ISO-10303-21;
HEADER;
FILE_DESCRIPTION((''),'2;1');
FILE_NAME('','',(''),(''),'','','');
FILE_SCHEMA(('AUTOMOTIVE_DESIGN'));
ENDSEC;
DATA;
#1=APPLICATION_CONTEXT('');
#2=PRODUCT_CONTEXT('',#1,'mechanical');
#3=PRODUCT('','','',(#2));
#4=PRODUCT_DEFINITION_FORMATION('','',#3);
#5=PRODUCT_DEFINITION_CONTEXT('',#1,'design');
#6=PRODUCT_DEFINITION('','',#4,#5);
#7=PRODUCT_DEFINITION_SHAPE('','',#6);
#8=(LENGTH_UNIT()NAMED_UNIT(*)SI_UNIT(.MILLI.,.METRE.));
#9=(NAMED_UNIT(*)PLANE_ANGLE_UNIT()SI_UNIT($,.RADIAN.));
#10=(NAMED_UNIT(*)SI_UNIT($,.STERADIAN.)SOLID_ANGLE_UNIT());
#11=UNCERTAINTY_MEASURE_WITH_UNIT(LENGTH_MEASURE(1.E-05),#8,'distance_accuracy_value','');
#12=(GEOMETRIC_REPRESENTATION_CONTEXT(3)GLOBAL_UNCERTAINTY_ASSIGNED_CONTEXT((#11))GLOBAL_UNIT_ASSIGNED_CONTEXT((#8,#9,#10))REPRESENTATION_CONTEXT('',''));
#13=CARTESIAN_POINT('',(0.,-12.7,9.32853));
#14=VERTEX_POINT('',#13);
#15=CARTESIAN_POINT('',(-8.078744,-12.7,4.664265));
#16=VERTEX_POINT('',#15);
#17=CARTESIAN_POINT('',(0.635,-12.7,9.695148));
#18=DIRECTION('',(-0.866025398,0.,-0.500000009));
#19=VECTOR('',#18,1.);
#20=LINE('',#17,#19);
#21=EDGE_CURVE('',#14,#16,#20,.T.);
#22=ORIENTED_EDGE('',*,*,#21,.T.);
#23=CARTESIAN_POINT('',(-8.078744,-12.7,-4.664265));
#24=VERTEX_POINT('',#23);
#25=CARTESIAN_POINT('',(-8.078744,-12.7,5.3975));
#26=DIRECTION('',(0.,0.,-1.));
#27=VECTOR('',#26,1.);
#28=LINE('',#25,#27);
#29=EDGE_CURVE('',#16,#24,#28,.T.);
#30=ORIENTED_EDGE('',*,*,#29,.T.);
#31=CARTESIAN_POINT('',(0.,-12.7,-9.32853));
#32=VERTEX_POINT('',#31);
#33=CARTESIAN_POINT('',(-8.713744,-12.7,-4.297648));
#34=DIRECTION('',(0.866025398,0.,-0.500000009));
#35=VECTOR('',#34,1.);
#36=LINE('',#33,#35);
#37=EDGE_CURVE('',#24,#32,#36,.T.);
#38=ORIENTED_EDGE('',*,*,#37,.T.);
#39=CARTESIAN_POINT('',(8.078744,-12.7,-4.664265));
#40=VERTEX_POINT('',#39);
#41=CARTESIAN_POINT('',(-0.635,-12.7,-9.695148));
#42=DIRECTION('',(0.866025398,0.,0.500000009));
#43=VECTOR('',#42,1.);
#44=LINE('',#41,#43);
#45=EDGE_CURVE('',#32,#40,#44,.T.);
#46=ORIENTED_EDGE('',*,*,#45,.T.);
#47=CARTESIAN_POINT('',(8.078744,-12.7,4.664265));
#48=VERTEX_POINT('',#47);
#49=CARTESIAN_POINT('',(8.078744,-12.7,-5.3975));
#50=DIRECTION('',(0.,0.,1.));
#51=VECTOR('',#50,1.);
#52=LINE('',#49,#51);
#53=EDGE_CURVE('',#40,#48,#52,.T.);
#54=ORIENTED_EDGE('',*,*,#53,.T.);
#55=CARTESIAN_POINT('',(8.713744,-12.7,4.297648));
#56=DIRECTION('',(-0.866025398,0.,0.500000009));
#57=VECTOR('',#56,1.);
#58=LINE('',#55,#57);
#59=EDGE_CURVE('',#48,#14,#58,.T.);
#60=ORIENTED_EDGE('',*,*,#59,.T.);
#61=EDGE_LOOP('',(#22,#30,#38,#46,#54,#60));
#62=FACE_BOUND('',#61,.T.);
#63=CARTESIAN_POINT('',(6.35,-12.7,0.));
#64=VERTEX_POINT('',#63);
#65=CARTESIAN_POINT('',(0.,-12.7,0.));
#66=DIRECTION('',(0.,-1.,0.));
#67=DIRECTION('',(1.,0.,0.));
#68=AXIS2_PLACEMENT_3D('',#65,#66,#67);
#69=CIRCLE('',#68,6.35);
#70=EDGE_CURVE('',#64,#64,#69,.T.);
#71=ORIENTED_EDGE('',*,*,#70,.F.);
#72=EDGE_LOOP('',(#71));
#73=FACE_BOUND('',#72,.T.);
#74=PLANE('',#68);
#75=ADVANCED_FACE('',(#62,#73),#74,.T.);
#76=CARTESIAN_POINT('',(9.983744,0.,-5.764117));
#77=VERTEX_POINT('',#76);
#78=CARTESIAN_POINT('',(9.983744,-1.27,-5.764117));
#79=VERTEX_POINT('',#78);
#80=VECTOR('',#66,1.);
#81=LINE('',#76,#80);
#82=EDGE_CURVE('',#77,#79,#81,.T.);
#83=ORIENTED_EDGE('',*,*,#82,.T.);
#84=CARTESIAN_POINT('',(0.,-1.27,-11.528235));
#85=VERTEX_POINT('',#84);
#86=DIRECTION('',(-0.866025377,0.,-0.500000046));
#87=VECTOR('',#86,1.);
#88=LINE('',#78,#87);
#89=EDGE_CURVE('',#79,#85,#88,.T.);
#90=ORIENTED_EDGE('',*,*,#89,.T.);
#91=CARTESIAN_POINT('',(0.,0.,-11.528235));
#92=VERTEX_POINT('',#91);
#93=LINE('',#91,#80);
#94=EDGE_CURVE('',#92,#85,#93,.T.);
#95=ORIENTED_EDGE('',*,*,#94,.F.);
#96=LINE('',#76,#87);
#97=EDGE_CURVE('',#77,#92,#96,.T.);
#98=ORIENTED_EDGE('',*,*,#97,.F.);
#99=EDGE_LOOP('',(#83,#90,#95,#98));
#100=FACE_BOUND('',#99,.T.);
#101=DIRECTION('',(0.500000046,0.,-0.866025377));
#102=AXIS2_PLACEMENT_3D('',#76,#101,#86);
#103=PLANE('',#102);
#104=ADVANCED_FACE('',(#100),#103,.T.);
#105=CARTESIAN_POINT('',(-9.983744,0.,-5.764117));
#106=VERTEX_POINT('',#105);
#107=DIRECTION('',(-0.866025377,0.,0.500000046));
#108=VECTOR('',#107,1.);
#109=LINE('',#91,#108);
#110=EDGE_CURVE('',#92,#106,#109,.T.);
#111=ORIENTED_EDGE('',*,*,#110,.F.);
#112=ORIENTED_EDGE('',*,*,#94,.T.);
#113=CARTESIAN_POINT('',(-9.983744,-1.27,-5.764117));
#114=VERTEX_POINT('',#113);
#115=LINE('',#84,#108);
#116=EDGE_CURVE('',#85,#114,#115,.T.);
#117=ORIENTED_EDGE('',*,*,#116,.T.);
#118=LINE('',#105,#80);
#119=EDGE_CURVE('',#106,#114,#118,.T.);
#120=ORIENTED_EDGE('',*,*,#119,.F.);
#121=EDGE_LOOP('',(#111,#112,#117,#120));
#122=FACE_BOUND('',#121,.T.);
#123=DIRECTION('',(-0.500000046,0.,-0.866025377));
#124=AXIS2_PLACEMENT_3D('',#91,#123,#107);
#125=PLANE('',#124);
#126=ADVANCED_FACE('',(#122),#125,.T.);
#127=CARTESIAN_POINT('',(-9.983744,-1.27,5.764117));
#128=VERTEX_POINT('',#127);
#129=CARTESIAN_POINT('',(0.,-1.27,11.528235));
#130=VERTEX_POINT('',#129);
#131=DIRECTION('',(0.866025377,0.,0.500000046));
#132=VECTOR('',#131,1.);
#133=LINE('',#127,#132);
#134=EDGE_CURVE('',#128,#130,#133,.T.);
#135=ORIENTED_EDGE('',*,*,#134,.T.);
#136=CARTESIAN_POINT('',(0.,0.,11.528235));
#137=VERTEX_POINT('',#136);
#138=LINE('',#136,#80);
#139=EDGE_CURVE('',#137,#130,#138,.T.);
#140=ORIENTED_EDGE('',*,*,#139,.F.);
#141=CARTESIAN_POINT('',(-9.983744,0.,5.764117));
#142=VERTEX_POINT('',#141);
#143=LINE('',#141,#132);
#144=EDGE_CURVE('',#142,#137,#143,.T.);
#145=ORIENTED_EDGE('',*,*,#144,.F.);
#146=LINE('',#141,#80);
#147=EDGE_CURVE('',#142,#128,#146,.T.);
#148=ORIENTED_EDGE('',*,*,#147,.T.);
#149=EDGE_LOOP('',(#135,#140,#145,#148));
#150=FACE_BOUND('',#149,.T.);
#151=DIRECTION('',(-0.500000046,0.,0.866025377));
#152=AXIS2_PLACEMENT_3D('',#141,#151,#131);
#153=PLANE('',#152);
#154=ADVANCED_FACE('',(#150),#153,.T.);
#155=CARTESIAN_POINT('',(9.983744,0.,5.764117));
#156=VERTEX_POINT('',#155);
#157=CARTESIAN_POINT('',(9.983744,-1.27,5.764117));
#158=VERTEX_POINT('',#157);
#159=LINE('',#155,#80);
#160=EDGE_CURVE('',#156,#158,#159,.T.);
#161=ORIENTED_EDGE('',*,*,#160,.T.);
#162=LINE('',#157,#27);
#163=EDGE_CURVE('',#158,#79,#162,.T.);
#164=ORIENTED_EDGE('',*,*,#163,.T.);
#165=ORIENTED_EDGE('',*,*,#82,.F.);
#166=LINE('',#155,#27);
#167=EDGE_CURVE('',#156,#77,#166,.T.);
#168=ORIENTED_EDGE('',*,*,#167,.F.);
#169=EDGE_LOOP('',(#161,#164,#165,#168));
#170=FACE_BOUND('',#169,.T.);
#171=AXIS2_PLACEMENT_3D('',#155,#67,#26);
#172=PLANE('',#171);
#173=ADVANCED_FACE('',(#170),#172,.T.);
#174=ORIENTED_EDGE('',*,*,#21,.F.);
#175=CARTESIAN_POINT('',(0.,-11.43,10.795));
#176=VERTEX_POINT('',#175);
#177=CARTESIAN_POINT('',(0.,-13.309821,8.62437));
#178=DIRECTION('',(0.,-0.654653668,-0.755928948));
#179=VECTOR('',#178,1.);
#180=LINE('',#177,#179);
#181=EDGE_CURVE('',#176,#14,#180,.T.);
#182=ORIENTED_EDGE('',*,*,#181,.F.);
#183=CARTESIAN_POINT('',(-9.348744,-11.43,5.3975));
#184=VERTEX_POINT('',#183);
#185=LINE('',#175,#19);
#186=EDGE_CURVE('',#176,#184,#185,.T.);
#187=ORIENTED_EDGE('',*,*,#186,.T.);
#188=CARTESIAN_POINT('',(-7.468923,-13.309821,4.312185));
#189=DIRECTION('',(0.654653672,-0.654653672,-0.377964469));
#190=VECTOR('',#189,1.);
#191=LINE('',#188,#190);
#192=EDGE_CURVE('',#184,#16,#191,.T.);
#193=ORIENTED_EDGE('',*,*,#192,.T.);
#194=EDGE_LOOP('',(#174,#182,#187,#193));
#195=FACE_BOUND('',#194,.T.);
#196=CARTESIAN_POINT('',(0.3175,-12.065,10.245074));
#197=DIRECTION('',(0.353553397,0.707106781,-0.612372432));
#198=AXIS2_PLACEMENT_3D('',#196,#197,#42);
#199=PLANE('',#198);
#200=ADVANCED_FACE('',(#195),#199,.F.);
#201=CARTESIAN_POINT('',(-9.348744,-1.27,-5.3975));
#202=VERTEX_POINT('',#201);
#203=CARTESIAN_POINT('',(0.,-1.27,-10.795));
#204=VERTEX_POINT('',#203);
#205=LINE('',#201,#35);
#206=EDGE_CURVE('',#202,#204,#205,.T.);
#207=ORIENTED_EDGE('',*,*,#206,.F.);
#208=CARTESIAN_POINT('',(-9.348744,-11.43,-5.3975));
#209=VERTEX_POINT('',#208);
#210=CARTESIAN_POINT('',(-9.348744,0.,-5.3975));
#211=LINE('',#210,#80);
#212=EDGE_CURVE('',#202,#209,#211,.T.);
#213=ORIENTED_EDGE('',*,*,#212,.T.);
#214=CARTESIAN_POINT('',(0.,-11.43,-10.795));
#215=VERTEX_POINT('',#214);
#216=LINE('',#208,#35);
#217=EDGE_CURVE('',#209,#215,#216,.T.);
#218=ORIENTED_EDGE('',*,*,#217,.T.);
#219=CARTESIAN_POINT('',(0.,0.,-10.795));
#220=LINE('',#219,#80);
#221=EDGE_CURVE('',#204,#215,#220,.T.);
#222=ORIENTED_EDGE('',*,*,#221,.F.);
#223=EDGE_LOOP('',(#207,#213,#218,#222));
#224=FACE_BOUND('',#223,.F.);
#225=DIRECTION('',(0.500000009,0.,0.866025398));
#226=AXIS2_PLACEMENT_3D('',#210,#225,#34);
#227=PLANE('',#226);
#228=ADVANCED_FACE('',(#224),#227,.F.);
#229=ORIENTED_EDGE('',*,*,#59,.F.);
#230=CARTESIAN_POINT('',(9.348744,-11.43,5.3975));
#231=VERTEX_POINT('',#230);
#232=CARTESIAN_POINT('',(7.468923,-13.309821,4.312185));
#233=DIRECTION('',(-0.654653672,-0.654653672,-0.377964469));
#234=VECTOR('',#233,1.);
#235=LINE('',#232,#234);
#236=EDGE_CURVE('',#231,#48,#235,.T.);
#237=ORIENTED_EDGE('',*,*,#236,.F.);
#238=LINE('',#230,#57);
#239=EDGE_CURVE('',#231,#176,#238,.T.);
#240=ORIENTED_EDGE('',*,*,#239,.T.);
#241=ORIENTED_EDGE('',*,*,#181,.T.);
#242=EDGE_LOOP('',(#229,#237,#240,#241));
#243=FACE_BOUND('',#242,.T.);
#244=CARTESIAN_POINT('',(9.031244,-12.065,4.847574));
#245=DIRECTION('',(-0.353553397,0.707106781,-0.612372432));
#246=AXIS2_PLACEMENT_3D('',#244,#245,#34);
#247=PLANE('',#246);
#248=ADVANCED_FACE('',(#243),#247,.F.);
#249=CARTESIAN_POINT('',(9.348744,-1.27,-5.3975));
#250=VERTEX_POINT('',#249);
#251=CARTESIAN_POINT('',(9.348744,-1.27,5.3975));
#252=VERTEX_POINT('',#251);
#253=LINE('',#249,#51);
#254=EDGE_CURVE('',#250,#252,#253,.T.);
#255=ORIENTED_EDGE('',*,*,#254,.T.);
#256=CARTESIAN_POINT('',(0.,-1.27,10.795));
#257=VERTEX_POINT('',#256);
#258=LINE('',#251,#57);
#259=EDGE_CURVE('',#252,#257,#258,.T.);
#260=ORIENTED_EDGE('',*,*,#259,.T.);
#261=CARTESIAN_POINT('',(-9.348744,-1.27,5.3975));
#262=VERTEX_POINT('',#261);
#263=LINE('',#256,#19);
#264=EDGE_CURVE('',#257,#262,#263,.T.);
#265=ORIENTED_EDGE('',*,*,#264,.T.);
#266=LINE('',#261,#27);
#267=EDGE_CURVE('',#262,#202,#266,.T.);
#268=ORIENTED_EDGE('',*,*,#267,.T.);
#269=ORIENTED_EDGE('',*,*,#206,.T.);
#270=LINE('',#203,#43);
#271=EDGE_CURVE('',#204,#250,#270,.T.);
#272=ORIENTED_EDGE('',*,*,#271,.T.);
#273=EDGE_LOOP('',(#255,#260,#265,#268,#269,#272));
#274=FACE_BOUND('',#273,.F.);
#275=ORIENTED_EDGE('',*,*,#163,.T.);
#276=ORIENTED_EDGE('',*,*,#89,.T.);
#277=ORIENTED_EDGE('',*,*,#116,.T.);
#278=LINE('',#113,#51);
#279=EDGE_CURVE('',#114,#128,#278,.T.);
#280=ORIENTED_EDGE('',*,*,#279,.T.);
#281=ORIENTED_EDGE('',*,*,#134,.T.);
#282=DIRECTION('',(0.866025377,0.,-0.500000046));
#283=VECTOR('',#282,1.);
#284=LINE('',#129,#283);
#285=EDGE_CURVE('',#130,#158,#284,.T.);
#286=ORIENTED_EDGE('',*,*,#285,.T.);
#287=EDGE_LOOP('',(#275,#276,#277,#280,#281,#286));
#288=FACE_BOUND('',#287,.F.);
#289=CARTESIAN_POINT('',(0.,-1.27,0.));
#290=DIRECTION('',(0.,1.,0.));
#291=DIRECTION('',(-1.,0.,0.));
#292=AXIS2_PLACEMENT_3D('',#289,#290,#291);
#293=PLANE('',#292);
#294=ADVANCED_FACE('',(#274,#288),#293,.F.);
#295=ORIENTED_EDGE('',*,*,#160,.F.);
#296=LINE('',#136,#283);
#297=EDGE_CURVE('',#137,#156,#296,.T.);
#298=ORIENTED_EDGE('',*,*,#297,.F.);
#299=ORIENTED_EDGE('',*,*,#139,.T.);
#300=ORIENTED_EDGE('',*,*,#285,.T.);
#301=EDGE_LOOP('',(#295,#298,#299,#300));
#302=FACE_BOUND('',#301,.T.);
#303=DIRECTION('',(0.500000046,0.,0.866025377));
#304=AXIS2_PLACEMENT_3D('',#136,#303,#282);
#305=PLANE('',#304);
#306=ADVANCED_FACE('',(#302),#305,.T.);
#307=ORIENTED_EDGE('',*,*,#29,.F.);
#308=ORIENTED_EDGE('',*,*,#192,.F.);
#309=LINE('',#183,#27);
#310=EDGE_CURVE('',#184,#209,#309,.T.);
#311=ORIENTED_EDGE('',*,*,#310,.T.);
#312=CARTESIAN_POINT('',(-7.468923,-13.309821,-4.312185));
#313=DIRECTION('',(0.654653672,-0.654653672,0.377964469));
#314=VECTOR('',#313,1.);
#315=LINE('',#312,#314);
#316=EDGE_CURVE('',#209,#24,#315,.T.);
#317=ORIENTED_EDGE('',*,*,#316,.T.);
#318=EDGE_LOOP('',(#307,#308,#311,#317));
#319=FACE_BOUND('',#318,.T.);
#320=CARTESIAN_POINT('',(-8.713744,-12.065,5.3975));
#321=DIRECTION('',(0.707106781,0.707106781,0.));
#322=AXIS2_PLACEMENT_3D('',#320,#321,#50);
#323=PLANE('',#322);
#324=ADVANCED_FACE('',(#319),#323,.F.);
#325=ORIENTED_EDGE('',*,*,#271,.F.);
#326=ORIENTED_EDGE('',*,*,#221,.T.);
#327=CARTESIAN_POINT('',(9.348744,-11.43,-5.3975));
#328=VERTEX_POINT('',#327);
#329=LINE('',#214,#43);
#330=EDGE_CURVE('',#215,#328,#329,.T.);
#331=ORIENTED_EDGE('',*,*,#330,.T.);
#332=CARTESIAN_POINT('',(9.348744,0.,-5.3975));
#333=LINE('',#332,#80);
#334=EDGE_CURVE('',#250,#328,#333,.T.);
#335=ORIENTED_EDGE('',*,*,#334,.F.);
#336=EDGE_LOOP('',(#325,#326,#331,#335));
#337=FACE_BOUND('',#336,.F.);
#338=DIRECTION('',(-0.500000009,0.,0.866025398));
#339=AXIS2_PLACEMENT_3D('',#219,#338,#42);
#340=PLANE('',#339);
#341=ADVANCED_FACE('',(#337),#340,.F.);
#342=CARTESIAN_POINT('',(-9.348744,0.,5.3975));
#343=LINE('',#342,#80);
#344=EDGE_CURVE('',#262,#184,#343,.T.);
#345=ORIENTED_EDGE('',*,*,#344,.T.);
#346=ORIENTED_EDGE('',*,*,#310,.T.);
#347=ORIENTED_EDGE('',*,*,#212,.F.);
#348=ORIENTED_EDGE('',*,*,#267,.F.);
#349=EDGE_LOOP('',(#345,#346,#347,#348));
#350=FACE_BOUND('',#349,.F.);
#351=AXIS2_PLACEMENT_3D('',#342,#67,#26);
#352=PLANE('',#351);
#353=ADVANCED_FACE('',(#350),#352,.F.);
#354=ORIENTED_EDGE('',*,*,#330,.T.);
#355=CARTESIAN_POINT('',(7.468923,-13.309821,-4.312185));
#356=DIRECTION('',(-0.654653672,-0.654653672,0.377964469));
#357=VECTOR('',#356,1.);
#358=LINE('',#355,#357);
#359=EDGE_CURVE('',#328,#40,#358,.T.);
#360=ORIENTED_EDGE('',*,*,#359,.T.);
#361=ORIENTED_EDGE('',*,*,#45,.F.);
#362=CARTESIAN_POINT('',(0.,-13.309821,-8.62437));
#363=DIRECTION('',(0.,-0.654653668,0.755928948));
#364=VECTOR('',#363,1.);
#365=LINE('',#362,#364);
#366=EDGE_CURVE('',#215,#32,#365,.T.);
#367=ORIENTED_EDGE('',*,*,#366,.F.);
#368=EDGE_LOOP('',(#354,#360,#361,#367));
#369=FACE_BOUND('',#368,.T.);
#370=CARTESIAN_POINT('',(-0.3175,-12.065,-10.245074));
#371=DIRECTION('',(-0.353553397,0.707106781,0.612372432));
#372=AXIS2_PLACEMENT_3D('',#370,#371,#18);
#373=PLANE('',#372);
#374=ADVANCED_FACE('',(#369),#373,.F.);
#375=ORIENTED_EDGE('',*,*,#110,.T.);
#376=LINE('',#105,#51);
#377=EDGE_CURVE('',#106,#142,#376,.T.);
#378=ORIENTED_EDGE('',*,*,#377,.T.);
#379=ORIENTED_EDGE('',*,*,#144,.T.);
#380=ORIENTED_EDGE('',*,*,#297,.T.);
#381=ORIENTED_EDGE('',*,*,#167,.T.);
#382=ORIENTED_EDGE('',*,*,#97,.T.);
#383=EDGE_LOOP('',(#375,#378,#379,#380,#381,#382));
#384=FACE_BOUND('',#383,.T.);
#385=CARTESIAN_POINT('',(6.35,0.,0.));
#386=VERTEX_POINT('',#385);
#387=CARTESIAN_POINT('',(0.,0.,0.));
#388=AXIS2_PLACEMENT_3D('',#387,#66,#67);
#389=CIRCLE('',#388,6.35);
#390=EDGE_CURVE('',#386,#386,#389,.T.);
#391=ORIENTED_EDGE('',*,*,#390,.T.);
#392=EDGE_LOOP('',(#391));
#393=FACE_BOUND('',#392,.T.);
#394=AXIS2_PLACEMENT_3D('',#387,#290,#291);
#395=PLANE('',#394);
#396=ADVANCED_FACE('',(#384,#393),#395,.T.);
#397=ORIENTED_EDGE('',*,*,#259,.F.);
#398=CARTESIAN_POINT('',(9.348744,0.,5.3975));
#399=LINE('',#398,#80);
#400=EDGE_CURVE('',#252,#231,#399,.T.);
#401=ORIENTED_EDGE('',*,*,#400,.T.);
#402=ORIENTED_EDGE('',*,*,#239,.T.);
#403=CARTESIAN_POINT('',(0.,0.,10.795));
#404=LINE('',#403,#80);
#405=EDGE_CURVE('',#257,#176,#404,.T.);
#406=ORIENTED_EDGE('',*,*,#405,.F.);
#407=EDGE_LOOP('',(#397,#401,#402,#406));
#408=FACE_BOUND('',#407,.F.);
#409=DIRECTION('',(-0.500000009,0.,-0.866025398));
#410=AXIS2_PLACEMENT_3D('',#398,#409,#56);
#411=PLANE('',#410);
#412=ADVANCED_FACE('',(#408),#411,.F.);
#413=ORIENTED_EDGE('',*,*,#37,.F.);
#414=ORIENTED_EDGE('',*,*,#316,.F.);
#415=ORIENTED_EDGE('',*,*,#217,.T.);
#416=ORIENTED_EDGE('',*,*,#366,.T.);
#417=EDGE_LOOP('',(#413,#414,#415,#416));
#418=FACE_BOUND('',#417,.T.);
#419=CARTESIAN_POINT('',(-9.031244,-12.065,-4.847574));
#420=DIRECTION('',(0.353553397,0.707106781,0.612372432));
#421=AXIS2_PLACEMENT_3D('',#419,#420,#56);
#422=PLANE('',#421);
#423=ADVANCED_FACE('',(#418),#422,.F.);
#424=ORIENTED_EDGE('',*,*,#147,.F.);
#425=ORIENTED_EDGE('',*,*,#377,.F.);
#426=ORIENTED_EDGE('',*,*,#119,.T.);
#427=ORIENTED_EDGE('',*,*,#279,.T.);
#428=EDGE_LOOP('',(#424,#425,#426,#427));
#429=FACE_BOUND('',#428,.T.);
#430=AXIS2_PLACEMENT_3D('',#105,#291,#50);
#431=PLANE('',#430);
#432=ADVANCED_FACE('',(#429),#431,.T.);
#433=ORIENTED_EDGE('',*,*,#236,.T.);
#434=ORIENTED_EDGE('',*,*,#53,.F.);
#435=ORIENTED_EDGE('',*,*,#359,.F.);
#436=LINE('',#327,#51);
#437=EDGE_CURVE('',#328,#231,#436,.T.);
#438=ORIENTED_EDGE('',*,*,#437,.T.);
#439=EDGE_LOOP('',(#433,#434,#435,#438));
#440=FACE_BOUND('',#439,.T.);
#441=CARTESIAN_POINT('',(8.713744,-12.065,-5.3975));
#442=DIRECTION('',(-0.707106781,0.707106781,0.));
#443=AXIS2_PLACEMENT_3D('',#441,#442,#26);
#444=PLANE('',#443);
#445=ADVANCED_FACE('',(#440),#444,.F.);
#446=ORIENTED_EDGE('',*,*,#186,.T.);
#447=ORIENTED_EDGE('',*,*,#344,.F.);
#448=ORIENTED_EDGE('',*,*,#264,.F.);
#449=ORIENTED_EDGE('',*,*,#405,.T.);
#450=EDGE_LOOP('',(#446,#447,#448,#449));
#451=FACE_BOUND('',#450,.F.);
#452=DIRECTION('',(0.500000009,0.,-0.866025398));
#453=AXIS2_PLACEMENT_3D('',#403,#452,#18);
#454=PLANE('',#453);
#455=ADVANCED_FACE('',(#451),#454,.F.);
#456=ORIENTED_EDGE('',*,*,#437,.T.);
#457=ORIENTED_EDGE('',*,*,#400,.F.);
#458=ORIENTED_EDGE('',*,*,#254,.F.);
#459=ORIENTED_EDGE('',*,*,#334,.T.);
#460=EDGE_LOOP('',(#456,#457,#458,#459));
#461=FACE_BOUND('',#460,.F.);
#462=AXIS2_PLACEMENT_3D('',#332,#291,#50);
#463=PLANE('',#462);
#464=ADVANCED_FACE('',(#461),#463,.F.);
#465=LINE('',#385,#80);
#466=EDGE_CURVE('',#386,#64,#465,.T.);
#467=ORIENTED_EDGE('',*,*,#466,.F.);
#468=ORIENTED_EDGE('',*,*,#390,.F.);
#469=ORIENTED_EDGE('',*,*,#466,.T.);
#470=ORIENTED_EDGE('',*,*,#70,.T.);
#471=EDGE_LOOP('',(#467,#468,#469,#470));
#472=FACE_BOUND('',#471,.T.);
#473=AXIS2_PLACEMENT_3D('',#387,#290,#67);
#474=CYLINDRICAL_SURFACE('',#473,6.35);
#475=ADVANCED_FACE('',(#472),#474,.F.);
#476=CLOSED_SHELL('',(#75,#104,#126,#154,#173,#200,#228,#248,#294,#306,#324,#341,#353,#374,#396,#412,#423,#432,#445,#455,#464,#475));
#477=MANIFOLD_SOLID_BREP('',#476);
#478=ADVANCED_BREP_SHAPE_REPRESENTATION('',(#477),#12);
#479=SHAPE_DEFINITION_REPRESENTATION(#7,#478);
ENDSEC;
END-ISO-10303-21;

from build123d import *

# Parameters (mm, degrees)
F0_R     = 6.35
F1_DEPTH = 12.7
F2_SIZE  = 1.27
F4_DEPTH = 1.27


with BuildPart() as f1:
    # F0 (on Front) → F1 (new body)
    with BuildSketch(Plane.XZ):
        Polygon((9.348744, 5.3975), (0, 10.795), (-9.348744, 5.3975), (-9.348744, -5.3975), (0, -10.795), (9.348744, -5.3975), align=None)
        Circle(F0_R, mode=Mode.SUBTRACT)
    extrude(amount=F1_DEPTH)

    # F2
    f2_edges = [f1.edges().sort_by_distance(p)[0] for p in [
        (4.674372, -12.7, 8.09625),
        (9.348744, -12.7, 0),
        (4.674372, -12.7, -8.09625),
        (-4.674372, -12.7, -8.09625),
        (-9.348744, -12.7, 0),
        (-4.674372, -12.7, 8.09625),
    ]]
    chamfer(f2_edges, length=F2_SIZE)

    # F3 (on face) → F4 (join)
    with BuildSketch(Plane(origin=(0, 0, 0), x_dir=(-1, 0, 0), z_dir=(0, 1, 0))):
        Polygon((9.983744, -5.764117), (9.983744, 5.764117), (0, 11.528235), (-9.983744, 5.764117), (-9.983744, -5.764117), (0, -11.528235), align=None)
        Polygon((-9.348744, -5.3975), (-9.348744, 5.3975), (0, 10.795), (9.348744, 5.3975), (9.348744, -5.3975), (0, -10.795), align=None, mode=Mode.SUBTRACT)
    extrude(amount=-F4_DEPTH)


solid = f1.part
